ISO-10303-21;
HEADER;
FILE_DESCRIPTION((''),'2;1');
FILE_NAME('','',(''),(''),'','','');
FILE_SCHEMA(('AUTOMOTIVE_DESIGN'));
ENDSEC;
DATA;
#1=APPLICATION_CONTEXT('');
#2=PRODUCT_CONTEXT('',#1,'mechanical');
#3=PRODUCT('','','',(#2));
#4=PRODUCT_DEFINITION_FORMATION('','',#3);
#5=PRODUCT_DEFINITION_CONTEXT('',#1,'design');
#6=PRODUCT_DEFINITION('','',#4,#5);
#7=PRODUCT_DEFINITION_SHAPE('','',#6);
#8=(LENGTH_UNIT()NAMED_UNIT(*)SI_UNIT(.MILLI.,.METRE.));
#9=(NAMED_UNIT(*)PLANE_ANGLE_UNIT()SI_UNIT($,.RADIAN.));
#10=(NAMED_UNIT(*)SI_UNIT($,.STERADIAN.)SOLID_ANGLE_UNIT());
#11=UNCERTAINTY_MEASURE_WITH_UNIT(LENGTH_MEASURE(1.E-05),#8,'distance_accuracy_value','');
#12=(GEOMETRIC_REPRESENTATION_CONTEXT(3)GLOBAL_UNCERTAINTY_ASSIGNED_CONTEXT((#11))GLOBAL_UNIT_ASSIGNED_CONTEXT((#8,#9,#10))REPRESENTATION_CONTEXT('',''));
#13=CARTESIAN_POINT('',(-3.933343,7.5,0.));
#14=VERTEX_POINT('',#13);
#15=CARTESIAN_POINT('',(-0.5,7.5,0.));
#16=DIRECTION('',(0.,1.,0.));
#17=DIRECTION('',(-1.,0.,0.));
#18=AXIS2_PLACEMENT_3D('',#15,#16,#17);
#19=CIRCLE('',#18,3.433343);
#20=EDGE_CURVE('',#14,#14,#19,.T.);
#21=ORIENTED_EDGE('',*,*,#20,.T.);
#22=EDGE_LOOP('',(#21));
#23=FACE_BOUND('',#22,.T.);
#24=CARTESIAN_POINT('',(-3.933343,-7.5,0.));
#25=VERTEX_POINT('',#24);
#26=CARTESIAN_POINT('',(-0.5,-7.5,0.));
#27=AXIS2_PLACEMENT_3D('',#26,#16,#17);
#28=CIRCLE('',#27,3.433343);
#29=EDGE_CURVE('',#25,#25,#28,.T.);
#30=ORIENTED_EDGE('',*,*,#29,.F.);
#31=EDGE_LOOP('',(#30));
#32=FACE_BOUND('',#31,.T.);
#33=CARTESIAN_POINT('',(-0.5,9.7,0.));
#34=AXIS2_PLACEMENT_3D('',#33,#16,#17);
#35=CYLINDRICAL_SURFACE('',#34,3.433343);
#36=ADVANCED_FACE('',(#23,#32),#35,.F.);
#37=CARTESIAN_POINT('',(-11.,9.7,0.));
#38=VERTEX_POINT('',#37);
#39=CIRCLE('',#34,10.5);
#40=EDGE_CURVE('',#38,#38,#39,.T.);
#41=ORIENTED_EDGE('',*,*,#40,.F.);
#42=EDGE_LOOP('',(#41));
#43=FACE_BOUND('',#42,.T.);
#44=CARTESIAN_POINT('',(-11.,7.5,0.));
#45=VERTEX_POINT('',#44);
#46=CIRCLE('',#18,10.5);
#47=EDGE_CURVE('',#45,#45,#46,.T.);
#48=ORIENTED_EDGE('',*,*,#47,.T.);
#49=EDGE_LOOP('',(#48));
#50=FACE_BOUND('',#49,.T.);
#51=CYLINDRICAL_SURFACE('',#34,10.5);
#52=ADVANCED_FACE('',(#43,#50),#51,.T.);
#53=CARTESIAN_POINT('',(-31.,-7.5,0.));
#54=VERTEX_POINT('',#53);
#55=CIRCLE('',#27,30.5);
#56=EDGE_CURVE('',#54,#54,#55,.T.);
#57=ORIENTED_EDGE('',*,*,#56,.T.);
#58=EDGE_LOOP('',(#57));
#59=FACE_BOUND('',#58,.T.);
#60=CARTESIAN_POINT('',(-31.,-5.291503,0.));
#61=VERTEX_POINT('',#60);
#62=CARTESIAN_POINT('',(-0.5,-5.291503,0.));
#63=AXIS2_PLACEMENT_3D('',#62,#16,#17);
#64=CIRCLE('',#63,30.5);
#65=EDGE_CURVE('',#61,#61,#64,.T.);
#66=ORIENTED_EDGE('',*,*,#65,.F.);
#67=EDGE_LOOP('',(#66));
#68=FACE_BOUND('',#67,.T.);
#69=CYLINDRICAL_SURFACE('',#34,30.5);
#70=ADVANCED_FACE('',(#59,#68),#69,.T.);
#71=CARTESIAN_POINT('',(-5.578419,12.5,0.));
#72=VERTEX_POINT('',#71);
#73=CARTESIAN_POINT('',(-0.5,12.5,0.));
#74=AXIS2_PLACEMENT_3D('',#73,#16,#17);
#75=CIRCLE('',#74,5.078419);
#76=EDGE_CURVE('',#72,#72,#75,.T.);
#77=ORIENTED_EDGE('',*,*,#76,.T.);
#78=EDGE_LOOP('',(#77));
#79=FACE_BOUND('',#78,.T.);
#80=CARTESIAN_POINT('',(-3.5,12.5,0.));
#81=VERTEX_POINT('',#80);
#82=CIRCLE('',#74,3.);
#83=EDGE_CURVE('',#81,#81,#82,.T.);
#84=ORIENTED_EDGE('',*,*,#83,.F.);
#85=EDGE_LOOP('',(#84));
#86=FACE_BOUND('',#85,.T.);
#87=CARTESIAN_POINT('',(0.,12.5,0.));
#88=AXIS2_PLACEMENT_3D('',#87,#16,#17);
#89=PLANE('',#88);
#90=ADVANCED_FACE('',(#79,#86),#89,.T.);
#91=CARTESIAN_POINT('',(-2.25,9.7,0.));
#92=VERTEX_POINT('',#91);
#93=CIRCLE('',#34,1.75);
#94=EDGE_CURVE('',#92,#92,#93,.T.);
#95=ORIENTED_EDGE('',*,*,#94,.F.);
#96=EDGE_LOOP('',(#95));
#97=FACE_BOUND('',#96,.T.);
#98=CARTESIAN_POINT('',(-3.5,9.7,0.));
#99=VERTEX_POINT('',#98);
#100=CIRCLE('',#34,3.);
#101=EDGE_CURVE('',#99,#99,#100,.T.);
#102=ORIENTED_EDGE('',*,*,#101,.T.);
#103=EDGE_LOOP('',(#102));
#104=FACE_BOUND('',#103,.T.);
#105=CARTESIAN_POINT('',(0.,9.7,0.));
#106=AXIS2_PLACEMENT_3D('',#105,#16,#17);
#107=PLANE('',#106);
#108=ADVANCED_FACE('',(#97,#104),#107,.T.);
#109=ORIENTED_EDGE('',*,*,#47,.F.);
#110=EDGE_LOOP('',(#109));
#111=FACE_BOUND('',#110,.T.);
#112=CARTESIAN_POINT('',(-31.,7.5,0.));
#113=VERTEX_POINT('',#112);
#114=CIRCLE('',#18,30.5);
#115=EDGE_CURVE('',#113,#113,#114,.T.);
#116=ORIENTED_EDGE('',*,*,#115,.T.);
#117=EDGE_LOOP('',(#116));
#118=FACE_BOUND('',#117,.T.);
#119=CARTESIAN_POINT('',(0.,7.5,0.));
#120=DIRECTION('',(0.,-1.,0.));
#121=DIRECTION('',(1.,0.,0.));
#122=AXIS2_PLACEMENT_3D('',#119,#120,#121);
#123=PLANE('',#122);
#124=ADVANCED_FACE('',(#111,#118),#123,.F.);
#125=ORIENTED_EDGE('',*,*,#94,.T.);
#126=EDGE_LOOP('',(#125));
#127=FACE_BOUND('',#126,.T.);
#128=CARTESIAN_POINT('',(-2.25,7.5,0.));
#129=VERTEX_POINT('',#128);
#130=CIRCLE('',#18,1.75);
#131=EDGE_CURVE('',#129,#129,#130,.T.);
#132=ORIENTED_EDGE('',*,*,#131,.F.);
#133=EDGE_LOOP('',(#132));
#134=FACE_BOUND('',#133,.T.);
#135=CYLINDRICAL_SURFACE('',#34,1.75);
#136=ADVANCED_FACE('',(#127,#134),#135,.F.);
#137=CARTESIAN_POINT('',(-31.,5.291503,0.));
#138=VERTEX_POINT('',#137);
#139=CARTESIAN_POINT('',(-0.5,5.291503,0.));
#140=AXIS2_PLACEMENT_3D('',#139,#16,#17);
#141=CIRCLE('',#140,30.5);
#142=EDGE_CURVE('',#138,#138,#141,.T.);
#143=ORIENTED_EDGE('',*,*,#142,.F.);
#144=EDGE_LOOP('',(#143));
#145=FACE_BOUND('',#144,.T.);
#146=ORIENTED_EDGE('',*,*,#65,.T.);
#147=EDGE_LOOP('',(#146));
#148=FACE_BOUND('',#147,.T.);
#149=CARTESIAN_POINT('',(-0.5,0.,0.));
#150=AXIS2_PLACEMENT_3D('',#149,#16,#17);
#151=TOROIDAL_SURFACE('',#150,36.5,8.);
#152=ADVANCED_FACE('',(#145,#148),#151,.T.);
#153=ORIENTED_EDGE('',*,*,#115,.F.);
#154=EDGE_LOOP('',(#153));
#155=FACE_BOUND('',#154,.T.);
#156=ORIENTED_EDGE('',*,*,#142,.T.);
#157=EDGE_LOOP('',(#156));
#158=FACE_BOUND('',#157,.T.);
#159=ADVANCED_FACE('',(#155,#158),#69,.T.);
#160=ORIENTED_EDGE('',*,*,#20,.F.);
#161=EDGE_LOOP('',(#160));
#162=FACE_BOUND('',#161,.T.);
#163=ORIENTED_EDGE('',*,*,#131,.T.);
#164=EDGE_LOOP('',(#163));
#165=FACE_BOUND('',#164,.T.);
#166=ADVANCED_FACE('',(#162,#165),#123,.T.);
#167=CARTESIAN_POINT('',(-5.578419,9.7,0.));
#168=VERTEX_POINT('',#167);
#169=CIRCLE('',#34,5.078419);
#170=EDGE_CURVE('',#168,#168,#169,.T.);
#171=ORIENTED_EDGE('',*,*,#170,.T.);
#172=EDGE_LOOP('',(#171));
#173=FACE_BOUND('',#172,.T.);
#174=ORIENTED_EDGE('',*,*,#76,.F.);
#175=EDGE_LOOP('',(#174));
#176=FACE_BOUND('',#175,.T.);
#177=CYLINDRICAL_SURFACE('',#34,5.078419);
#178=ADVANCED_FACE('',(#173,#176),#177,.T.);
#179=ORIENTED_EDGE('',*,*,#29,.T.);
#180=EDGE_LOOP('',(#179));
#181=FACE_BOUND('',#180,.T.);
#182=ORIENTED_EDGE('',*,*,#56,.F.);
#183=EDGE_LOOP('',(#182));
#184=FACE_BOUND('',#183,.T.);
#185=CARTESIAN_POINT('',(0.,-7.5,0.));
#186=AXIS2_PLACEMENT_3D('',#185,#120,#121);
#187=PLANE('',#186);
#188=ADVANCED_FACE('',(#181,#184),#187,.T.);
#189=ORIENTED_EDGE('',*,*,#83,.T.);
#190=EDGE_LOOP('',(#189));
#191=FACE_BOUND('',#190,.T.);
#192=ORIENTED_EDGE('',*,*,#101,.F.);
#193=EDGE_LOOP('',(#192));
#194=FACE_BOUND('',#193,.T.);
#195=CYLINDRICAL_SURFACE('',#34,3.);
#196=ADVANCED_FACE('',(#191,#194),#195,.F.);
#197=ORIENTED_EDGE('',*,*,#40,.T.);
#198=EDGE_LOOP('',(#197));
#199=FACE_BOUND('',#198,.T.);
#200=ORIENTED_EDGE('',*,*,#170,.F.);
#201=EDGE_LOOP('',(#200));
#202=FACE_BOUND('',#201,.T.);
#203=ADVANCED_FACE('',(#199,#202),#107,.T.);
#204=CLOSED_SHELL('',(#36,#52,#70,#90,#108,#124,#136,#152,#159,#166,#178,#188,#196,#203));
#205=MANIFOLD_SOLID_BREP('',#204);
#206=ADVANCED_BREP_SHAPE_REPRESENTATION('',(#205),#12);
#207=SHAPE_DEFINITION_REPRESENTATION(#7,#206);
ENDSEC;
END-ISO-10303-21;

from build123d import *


with BuildPart() as part:
    # Esboço1 → Revolução1 (revolve)
    with BuildSketch(Plane.XY):
        with BuildLine():
            Line((30, -7.5), (30, -5.291502622))
            ThreePointArc((30, -5.291502622), (44, 0), (30, 5.291502622))
            Line((30, 5.291502622), (30, 7.5))
            Line((30, 7.5), (10, 7.5))
            Line((10, 7.5), (10, 9.7))
            Line((10, 9.7), (4.578419127, 9.7))
            Line((4.578419127, 9.7), (4.578419127, 12.5))
            Line((4.578419127, 12.5), (2.5, 12.5))
            Line((2.5, 12.5), (2.5, 9.7))
            Line((2.5, 9.7), (1.25, 9.7))
            Line((1.25, 9.7), (1.25, 7.5))
            Line((1.25, 7.5), (2.933342737, 7.5))
            Line((2.933342737, 7.5), (2.933342737, -7.5))
            Line((2.933342737, -7.5), (30, -7.5))
        make_face()
    revolve(axis=Axis((-0.5, 9.7, 0), (0, -1, 0)))


solid = part.part
